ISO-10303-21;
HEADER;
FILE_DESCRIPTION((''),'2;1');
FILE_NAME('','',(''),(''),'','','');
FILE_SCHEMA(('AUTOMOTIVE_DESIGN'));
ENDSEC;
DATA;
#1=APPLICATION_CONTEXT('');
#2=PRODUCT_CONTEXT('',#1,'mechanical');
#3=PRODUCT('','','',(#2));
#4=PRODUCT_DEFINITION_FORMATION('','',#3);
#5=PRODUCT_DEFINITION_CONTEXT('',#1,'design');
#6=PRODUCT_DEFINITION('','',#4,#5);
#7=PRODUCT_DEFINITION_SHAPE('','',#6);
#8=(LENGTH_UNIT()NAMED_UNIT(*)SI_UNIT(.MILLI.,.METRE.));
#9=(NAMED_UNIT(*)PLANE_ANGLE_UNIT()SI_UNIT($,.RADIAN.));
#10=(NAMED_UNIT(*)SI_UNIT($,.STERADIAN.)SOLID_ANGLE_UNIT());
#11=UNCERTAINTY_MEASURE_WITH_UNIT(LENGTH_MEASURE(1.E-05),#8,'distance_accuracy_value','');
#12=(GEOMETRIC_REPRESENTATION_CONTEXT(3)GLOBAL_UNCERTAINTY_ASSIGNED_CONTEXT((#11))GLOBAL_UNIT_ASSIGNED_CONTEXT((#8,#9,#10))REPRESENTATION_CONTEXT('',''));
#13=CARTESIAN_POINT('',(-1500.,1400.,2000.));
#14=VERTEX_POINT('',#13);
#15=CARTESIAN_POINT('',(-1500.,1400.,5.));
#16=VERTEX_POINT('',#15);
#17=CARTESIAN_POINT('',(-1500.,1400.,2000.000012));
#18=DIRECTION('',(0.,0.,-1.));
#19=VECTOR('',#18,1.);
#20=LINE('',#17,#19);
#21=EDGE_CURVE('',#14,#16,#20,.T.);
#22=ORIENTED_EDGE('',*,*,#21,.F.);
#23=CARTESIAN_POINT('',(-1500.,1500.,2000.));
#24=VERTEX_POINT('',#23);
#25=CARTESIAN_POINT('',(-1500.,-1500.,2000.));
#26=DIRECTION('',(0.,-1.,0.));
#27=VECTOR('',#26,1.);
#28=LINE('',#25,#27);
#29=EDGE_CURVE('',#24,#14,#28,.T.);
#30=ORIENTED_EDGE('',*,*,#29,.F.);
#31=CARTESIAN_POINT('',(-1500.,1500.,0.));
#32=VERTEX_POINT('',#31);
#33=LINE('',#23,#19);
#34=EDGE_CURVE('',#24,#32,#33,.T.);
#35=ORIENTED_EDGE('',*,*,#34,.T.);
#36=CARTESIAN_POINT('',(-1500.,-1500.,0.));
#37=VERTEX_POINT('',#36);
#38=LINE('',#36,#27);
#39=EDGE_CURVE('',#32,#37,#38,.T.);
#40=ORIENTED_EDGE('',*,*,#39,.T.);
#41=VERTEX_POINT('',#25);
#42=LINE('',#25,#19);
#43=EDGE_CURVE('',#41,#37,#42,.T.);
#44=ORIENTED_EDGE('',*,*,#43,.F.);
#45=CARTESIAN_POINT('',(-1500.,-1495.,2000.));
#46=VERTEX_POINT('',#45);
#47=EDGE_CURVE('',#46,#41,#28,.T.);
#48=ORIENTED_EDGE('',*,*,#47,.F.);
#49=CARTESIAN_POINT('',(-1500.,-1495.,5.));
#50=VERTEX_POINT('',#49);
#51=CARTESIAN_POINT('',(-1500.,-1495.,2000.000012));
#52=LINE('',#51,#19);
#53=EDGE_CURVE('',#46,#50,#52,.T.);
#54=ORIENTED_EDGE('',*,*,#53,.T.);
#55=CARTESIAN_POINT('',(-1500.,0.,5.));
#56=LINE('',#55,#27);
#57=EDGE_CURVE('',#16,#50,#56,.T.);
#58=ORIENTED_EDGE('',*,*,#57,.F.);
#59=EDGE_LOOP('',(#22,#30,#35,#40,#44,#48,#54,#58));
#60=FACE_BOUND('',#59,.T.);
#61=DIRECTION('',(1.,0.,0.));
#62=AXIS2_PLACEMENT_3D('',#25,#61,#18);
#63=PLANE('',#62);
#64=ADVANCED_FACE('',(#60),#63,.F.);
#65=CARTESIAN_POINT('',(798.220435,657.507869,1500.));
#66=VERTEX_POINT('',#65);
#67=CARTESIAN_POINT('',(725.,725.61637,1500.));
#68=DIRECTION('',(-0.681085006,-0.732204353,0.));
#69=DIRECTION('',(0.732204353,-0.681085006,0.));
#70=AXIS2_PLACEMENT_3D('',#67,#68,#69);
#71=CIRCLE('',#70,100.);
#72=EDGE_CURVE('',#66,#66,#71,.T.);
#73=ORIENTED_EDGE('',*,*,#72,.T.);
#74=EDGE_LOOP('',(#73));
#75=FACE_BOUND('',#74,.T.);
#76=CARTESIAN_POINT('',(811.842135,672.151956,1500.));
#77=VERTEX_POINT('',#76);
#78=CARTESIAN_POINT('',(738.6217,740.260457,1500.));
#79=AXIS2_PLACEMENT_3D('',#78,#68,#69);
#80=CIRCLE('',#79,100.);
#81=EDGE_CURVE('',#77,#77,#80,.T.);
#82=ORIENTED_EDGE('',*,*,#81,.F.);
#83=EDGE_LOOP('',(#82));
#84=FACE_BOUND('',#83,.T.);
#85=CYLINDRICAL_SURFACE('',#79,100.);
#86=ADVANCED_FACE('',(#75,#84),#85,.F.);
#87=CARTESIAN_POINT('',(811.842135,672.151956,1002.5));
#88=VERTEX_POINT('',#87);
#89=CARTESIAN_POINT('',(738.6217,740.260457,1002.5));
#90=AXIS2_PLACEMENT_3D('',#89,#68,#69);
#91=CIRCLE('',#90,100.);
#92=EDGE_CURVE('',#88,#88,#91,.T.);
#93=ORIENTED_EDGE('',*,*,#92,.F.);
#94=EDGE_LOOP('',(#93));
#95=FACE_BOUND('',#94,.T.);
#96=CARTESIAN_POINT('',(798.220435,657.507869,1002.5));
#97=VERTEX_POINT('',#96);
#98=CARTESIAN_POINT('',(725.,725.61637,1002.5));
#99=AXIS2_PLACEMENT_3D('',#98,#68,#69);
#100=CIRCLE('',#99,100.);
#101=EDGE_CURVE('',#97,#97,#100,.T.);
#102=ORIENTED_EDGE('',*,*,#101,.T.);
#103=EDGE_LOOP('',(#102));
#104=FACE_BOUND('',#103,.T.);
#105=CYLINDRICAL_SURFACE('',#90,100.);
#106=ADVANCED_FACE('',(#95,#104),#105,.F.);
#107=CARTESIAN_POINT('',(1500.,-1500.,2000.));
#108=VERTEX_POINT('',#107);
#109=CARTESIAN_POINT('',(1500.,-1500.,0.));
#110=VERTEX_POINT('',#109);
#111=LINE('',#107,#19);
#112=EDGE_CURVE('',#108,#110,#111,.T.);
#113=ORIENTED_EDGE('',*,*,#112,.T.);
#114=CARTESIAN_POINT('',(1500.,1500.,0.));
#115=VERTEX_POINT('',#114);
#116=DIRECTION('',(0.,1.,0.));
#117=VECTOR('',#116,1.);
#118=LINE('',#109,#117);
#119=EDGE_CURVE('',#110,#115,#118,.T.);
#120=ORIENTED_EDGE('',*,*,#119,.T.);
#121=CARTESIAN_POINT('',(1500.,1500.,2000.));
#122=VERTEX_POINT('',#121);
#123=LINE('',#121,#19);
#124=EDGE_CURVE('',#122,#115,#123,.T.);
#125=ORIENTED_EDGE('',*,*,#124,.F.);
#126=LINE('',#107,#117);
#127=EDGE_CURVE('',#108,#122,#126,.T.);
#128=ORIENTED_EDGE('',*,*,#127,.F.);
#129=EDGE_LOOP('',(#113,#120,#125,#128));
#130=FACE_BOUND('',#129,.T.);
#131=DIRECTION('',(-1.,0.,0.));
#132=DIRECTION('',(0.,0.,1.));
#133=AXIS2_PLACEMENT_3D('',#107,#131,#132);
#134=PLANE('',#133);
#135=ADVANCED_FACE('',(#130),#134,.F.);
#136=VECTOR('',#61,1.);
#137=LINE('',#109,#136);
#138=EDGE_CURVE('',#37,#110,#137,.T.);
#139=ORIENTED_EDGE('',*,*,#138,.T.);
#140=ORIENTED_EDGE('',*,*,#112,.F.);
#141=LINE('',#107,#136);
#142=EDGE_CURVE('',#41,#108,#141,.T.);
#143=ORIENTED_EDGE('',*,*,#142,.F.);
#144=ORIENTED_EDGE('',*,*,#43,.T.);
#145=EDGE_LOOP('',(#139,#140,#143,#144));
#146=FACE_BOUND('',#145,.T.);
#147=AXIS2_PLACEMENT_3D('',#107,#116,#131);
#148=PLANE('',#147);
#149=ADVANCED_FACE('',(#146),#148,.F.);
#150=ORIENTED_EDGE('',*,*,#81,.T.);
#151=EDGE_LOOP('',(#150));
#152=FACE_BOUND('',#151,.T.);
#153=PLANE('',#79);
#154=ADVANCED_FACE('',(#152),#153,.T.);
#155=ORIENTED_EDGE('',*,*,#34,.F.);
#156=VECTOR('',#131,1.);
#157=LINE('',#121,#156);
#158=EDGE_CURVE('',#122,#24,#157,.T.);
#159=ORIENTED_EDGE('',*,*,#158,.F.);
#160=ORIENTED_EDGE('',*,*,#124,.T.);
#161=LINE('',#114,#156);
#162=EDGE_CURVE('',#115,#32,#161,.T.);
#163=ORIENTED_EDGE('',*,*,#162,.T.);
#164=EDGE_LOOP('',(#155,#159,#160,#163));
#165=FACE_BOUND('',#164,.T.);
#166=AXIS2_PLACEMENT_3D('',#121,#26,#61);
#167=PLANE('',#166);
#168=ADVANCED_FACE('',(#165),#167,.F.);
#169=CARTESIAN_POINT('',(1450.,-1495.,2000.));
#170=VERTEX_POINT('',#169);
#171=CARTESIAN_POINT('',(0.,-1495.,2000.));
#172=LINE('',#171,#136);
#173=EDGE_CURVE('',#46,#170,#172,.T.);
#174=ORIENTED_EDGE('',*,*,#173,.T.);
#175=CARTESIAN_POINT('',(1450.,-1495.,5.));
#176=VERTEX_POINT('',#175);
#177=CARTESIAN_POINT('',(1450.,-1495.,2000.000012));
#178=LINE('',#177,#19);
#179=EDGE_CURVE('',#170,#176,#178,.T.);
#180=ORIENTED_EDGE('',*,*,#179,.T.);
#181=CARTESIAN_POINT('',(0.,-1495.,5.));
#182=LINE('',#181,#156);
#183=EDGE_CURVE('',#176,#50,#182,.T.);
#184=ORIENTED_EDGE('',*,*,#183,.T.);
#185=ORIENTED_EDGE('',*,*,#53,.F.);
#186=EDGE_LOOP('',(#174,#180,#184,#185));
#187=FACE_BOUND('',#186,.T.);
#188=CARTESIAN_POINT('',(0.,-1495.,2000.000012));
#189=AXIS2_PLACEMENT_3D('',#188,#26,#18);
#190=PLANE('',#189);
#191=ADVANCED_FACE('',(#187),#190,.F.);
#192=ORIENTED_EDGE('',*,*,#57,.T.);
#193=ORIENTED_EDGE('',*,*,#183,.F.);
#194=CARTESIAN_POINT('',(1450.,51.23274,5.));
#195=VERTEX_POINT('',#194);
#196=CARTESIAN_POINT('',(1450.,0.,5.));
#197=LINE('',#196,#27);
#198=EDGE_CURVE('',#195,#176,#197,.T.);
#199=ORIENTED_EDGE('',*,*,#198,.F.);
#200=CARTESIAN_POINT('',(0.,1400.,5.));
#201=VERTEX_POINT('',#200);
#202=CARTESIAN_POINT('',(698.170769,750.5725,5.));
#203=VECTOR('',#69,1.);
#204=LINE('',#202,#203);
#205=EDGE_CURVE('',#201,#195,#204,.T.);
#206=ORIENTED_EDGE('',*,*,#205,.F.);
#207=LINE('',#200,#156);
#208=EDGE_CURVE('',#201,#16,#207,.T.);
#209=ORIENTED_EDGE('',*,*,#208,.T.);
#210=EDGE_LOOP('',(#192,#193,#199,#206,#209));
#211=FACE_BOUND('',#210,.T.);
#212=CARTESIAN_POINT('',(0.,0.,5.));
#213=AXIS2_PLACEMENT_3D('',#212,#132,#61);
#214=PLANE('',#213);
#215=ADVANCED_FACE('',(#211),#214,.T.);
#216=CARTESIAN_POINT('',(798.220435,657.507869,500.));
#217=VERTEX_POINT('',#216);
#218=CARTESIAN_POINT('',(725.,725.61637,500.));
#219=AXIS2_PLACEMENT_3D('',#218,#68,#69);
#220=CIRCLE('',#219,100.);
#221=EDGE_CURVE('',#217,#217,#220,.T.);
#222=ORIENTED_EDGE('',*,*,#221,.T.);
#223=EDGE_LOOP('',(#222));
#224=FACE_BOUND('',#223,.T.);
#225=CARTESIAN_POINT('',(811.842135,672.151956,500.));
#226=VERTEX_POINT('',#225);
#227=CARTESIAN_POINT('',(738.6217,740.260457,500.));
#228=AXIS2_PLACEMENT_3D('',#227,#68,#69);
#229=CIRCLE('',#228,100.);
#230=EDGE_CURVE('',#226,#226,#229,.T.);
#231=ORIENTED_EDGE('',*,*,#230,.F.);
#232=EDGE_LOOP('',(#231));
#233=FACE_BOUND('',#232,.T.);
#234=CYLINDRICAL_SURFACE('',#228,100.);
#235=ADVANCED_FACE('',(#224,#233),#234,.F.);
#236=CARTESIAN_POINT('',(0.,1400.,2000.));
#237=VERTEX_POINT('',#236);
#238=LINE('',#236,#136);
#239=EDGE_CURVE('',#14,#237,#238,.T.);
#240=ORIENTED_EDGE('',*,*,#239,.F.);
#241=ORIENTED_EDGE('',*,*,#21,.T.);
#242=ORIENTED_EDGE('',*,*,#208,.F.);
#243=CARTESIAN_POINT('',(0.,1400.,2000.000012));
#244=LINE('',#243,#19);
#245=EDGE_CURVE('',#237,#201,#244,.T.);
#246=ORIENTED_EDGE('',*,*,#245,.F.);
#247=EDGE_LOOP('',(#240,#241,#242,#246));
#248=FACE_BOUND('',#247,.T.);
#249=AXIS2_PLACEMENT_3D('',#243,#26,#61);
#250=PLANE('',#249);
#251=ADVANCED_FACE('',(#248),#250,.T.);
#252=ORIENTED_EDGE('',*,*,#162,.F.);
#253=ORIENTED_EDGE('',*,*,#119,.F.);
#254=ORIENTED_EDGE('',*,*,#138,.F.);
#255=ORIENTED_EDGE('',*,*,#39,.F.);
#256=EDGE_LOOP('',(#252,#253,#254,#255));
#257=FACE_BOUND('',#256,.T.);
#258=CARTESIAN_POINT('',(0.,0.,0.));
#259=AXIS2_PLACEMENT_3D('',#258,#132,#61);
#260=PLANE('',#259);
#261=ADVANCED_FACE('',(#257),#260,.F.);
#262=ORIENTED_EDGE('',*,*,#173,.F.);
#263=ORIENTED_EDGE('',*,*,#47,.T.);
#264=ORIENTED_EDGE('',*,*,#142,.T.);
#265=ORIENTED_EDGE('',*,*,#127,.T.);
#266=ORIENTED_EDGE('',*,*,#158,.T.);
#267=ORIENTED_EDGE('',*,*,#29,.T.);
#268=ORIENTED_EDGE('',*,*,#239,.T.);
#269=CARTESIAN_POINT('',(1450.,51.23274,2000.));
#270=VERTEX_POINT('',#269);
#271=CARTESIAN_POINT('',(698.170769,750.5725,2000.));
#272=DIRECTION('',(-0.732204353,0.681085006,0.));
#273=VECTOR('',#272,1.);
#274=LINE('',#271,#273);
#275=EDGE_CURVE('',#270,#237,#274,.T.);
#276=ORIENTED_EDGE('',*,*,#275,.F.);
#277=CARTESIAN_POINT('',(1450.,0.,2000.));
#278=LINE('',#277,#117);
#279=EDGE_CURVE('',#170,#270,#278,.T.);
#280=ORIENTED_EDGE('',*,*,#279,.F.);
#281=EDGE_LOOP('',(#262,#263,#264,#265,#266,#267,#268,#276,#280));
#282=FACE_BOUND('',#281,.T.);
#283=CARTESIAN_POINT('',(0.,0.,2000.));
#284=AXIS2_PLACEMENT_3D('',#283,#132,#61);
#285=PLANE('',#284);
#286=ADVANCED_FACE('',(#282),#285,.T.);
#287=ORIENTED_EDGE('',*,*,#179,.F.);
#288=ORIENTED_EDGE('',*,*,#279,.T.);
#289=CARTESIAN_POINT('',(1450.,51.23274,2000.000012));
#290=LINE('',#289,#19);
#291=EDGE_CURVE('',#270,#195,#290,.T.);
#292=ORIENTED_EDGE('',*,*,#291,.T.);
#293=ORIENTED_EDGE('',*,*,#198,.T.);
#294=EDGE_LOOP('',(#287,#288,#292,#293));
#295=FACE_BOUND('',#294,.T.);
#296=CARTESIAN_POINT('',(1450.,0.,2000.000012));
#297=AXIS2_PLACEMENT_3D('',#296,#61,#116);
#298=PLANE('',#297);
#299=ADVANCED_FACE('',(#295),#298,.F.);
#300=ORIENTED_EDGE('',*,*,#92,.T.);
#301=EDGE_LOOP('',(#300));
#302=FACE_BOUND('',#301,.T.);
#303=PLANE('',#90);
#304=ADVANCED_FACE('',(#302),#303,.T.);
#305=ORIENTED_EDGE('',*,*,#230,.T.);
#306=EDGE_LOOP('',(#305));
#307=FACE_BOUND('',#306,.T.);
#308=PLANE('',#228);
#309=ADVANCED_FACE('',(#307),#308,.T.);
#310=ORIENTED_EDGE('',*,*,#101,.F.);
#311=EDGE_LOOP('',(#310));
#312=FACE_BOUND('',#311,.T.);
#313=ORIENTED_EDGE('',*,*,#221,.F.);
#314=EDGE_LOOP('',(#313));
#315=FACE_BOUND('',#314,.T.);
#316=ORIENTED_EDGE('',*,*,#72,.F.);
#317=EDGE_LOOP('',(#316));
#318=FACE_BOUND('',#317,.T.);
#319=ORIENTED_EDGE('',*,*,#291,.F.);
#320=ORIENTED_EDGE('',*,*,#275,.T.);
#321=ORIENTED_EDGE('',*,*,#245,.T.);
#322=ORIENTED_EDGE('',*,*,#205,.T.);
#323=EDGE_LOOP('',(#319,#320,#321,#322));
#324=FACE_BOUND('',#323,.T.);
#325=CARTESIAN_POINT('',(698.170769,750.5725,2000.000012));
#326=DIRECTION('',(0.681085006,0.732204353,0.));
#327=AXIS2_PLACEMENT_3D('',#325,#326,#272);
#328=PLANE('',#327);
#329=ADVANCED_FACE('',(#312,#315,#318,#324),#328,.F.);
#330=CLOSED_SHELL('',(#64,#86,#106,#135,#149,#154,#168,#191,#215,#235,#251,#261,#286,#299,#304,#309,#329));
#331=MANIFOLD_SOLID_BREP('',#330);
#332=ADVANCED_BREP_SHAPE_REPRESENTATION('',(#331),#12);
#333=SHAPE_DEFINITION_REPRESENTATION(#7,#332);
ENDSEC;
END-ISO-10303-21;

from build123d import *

# Parameters (mm, degrees)
SKETCH1_W               = 3000
SKETCH1_H               = 3000
BOSS_EXTRUDE1_DEPTH     = 2000
CUT_EXTRUDE4_DEPTH      = 2916.475947423
CUT_EXTRUDE4_DEPTH_BACK = 1995
SKETCH3_R               = 100
CUT_EXTRUDE5_DEPTH      = 20


with BuildPart() as part:
    # Sketch1 → Boss-Extrude1 (new body)
    with BuildSketch(Plane.XY):
        Rectangle(SKETCH1_W, SKETCH1_H)
    extrude(amount=BOSS_EXTRUDE1_DEPTH)

    # Sketch2 → Cut-Extrude4 (cut, two sides: drawn at the far end of the back side and taken through both)
    with BuildSketch(Plane.XY.offset(2000).offset(-CUT_EXTRUDE4_DEPTH_BACK)):
        Polygon((0, 1400), (-1500, 1400), (-1500, -1495), (-950, -1495), (1450, -1495), (1450, 51.232739989), align=None)
    extrude(amount=CUT_EXTRUDE4_DEPTH + CUT_EXTRUDE4_DEPTH_BACK, mode=Mode.SUBTRACT)

    # Sketch3 → Cut-Extrude5 (cut)
    with BuildSketch(Plane(origin=(698.170768667, 750.572500224, 0), x_dir=(0.7322043529273712, -0.6810850061146625, 0), z_dir=(-0.6810850061146625, -0.7322043529273712, 0))):
        with Locations((36.641726078, 1500)):
            Circle(SKETCH3_R)
        with Locations((36.641726078, 1002.5)):
            Circle(SKETCH3_R)
        with Locations((36.641726078, 500)):
            Circle(SKETCH3_R)
    extrude(amount=-CUT_EXTRUDE5_DEPTH, mode=Mode.SUBTRACT)


solid = part.part
